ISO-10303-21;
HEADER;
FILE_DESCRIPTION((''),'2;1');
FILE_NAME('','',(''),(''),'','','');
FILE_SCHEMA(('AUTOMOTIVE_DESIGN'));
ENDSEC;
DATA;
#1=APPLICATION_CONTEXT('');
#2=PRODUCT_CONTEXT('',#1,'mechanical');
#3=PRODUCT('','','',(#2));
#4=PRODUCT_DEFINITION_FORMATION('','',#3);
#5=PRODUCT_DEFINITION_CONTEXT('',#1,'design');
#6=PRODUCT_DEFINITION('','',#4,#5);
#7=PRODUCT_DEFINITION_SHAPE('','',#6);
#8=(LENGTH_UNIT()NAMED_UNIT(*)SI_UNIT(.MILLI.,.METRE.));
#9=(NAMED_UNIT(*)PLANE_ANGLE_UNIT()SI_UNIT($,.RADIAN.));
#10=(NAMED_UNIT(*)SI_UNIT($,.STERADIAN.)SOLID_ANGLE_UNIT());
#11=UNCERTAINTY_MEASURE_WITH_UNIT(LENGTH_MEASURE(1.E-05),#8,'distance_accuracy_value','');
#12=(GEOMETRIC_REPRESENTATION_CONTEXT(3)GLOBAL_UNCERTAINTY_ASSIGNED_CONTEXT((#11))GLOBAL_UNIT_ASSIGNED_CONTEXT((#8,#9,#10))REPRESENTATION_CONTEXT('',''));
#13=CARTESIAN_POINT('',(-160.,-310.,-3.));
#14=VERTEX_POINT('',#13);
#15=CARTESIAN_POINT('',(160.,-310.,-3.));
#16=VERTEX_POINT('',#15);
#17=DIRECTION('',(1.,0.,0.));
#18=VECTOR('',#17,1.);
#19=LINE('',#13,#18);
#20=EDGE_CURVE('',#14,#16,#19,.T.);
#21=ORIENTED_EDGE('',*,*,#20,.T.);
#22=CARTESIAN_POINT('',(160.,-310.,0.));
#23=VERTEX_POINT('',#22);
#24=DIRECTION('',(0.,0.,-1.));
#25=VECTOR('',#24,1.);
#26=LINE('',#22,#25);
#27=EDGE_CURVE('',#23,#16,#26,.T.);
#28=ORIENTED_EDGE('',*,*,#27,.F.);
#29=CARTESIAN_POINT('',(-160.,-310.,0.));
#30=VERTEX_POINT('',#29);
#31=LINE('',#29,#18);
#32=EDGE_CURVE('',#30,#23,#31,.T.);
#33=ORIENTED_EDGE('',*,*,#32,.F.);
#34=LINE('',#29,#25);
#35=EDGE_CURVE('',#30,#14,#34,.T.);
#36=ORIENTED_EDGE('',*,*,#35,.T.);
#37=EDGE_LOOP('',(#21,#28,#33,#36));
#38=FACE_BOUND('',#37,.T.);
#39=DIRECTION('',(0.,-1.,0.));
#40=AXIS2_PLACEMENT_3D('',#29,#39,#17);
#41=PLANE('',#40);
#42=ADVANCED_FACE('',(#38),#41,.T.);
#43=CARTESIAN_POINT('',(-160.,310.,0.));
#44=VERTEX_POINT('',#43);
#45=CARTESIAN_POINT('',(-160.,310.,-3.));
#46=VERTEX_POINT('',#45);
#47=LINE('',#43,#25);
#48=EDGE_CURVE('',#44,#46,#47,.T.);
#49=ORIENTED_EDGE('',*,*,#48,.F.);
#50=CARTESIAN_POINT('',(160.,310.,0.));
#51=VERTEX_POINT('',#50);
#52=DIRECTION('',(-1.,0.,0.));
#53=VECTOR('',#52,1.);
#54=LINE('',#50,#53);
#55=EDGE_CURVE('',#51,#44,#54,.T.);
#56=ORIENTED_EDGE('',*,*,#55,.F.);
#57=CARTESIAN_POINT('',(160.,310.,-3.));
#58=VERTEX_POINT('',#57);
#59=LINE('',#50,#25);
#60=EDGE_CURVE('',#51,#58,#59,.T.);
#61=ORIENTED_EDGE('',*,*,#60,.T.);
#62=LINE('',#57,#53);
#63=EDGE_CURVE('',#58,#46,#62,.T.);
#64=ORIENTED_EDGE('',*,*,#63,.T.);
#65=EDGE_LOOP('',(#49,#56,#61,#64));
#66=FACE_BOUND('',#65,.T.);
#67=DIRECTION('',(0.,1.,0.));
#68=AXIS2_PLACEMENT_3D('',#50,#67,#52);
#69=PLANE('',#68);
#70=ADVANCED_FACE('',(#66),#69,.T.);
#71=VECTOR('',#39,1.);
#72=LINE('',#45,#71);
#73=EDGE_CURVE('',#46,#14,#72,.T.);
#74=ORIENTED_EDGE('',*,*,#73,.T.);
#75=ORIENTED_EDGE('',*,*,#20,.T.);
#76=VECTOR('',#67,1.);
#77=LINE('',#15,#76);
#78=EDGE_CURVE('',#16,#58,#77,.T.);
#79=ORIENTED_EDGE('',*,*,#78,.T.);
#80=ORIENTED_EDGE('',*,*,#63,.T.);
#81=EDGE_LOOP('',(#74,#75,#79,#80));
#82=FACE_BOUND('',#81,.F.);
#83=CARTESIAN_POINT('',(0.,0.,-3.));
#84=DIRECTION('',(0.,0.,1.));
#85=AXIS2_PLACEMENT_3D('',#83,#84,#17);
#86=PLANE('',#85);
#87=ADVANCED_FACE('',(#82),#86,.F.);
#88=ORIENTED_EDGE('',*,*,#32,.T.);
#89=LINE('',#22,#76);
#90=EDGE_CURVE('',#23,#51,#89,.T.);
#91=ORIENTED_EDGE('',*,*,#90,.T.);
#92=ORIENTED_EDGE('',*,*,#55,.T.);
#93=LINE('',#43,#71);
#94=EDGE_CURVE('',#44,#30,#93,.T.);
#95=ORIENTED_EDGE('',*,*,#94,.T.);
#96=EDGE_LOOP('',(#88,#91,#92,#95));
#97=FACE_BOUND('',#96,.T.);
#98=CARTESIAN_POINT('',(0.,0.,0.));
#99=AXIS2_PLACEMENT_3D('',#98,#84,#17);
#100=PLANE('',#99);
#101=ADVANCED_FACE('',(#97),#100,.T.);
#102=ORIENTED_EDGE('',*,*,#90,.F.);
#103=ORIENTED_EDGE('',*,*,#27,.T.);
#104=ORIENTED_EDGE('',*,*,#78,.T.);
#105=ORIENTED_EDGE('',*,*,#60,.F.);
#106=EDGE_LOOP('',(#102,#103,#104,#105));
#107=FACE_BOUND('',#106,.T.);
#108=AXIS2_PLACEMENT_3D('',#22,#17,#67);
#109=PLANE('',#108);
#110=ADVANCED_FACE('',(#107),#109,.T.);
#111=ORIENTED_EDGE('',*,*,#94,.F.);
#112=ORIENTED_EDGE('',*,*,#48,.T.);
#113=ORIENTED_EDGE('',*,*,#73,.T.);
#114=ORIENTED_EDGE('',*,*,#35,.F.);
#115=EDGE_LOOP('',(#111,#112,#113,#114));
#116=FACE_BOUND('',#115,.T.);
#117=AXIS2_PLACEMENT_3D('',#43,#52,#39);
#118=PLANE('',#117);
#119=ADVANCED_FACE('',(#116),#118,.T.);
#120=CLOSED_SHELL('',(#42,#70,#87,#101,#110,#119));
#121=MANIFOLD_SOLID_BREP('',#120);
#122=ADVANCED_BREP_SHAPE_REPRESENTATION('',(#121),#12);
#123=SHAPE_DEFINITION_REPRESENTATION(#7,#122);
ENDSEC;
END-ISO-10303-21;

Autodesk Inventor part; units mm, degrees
ref_plane "YZ Plane" through (0, 0, 0) normal (1, 0, 0) x (0, 1, 0)
ref_plane "XZ Plane" through (0, 0, 0) normal (0, 1, 0) x (-1, 0, 0)
ref_plane "XY Plane" through (0, 0, 0) normal (0, 0, 1) x (1, 0, 0)
sketch "Sketch1" plane through (0, 0, 0) normal (0, 0, 1) x (1, 0, 0)
  line L0 (-160, -310) -> (160, -310)
  line L1 (160, -310) -> (160, 310)
  line L2 (160, 310) -> (-160, 310)
  line L3 (-160, 310) -> (-160, -310)
  line L4 (-160, -310) -> (160, 310) construction
  line L5 (160, -310) -> (-160, 310) construction
  point P0 (0, 0)
  dimension "d0" = 320
  dimension "d1" = 620
extrude "Extrusion1" add sketch "Sketch1" against normal blind 3
properties part number "RT_FRM_V5_MC_01_ElectronicsBottom" material "Acetal Resin, Black"
